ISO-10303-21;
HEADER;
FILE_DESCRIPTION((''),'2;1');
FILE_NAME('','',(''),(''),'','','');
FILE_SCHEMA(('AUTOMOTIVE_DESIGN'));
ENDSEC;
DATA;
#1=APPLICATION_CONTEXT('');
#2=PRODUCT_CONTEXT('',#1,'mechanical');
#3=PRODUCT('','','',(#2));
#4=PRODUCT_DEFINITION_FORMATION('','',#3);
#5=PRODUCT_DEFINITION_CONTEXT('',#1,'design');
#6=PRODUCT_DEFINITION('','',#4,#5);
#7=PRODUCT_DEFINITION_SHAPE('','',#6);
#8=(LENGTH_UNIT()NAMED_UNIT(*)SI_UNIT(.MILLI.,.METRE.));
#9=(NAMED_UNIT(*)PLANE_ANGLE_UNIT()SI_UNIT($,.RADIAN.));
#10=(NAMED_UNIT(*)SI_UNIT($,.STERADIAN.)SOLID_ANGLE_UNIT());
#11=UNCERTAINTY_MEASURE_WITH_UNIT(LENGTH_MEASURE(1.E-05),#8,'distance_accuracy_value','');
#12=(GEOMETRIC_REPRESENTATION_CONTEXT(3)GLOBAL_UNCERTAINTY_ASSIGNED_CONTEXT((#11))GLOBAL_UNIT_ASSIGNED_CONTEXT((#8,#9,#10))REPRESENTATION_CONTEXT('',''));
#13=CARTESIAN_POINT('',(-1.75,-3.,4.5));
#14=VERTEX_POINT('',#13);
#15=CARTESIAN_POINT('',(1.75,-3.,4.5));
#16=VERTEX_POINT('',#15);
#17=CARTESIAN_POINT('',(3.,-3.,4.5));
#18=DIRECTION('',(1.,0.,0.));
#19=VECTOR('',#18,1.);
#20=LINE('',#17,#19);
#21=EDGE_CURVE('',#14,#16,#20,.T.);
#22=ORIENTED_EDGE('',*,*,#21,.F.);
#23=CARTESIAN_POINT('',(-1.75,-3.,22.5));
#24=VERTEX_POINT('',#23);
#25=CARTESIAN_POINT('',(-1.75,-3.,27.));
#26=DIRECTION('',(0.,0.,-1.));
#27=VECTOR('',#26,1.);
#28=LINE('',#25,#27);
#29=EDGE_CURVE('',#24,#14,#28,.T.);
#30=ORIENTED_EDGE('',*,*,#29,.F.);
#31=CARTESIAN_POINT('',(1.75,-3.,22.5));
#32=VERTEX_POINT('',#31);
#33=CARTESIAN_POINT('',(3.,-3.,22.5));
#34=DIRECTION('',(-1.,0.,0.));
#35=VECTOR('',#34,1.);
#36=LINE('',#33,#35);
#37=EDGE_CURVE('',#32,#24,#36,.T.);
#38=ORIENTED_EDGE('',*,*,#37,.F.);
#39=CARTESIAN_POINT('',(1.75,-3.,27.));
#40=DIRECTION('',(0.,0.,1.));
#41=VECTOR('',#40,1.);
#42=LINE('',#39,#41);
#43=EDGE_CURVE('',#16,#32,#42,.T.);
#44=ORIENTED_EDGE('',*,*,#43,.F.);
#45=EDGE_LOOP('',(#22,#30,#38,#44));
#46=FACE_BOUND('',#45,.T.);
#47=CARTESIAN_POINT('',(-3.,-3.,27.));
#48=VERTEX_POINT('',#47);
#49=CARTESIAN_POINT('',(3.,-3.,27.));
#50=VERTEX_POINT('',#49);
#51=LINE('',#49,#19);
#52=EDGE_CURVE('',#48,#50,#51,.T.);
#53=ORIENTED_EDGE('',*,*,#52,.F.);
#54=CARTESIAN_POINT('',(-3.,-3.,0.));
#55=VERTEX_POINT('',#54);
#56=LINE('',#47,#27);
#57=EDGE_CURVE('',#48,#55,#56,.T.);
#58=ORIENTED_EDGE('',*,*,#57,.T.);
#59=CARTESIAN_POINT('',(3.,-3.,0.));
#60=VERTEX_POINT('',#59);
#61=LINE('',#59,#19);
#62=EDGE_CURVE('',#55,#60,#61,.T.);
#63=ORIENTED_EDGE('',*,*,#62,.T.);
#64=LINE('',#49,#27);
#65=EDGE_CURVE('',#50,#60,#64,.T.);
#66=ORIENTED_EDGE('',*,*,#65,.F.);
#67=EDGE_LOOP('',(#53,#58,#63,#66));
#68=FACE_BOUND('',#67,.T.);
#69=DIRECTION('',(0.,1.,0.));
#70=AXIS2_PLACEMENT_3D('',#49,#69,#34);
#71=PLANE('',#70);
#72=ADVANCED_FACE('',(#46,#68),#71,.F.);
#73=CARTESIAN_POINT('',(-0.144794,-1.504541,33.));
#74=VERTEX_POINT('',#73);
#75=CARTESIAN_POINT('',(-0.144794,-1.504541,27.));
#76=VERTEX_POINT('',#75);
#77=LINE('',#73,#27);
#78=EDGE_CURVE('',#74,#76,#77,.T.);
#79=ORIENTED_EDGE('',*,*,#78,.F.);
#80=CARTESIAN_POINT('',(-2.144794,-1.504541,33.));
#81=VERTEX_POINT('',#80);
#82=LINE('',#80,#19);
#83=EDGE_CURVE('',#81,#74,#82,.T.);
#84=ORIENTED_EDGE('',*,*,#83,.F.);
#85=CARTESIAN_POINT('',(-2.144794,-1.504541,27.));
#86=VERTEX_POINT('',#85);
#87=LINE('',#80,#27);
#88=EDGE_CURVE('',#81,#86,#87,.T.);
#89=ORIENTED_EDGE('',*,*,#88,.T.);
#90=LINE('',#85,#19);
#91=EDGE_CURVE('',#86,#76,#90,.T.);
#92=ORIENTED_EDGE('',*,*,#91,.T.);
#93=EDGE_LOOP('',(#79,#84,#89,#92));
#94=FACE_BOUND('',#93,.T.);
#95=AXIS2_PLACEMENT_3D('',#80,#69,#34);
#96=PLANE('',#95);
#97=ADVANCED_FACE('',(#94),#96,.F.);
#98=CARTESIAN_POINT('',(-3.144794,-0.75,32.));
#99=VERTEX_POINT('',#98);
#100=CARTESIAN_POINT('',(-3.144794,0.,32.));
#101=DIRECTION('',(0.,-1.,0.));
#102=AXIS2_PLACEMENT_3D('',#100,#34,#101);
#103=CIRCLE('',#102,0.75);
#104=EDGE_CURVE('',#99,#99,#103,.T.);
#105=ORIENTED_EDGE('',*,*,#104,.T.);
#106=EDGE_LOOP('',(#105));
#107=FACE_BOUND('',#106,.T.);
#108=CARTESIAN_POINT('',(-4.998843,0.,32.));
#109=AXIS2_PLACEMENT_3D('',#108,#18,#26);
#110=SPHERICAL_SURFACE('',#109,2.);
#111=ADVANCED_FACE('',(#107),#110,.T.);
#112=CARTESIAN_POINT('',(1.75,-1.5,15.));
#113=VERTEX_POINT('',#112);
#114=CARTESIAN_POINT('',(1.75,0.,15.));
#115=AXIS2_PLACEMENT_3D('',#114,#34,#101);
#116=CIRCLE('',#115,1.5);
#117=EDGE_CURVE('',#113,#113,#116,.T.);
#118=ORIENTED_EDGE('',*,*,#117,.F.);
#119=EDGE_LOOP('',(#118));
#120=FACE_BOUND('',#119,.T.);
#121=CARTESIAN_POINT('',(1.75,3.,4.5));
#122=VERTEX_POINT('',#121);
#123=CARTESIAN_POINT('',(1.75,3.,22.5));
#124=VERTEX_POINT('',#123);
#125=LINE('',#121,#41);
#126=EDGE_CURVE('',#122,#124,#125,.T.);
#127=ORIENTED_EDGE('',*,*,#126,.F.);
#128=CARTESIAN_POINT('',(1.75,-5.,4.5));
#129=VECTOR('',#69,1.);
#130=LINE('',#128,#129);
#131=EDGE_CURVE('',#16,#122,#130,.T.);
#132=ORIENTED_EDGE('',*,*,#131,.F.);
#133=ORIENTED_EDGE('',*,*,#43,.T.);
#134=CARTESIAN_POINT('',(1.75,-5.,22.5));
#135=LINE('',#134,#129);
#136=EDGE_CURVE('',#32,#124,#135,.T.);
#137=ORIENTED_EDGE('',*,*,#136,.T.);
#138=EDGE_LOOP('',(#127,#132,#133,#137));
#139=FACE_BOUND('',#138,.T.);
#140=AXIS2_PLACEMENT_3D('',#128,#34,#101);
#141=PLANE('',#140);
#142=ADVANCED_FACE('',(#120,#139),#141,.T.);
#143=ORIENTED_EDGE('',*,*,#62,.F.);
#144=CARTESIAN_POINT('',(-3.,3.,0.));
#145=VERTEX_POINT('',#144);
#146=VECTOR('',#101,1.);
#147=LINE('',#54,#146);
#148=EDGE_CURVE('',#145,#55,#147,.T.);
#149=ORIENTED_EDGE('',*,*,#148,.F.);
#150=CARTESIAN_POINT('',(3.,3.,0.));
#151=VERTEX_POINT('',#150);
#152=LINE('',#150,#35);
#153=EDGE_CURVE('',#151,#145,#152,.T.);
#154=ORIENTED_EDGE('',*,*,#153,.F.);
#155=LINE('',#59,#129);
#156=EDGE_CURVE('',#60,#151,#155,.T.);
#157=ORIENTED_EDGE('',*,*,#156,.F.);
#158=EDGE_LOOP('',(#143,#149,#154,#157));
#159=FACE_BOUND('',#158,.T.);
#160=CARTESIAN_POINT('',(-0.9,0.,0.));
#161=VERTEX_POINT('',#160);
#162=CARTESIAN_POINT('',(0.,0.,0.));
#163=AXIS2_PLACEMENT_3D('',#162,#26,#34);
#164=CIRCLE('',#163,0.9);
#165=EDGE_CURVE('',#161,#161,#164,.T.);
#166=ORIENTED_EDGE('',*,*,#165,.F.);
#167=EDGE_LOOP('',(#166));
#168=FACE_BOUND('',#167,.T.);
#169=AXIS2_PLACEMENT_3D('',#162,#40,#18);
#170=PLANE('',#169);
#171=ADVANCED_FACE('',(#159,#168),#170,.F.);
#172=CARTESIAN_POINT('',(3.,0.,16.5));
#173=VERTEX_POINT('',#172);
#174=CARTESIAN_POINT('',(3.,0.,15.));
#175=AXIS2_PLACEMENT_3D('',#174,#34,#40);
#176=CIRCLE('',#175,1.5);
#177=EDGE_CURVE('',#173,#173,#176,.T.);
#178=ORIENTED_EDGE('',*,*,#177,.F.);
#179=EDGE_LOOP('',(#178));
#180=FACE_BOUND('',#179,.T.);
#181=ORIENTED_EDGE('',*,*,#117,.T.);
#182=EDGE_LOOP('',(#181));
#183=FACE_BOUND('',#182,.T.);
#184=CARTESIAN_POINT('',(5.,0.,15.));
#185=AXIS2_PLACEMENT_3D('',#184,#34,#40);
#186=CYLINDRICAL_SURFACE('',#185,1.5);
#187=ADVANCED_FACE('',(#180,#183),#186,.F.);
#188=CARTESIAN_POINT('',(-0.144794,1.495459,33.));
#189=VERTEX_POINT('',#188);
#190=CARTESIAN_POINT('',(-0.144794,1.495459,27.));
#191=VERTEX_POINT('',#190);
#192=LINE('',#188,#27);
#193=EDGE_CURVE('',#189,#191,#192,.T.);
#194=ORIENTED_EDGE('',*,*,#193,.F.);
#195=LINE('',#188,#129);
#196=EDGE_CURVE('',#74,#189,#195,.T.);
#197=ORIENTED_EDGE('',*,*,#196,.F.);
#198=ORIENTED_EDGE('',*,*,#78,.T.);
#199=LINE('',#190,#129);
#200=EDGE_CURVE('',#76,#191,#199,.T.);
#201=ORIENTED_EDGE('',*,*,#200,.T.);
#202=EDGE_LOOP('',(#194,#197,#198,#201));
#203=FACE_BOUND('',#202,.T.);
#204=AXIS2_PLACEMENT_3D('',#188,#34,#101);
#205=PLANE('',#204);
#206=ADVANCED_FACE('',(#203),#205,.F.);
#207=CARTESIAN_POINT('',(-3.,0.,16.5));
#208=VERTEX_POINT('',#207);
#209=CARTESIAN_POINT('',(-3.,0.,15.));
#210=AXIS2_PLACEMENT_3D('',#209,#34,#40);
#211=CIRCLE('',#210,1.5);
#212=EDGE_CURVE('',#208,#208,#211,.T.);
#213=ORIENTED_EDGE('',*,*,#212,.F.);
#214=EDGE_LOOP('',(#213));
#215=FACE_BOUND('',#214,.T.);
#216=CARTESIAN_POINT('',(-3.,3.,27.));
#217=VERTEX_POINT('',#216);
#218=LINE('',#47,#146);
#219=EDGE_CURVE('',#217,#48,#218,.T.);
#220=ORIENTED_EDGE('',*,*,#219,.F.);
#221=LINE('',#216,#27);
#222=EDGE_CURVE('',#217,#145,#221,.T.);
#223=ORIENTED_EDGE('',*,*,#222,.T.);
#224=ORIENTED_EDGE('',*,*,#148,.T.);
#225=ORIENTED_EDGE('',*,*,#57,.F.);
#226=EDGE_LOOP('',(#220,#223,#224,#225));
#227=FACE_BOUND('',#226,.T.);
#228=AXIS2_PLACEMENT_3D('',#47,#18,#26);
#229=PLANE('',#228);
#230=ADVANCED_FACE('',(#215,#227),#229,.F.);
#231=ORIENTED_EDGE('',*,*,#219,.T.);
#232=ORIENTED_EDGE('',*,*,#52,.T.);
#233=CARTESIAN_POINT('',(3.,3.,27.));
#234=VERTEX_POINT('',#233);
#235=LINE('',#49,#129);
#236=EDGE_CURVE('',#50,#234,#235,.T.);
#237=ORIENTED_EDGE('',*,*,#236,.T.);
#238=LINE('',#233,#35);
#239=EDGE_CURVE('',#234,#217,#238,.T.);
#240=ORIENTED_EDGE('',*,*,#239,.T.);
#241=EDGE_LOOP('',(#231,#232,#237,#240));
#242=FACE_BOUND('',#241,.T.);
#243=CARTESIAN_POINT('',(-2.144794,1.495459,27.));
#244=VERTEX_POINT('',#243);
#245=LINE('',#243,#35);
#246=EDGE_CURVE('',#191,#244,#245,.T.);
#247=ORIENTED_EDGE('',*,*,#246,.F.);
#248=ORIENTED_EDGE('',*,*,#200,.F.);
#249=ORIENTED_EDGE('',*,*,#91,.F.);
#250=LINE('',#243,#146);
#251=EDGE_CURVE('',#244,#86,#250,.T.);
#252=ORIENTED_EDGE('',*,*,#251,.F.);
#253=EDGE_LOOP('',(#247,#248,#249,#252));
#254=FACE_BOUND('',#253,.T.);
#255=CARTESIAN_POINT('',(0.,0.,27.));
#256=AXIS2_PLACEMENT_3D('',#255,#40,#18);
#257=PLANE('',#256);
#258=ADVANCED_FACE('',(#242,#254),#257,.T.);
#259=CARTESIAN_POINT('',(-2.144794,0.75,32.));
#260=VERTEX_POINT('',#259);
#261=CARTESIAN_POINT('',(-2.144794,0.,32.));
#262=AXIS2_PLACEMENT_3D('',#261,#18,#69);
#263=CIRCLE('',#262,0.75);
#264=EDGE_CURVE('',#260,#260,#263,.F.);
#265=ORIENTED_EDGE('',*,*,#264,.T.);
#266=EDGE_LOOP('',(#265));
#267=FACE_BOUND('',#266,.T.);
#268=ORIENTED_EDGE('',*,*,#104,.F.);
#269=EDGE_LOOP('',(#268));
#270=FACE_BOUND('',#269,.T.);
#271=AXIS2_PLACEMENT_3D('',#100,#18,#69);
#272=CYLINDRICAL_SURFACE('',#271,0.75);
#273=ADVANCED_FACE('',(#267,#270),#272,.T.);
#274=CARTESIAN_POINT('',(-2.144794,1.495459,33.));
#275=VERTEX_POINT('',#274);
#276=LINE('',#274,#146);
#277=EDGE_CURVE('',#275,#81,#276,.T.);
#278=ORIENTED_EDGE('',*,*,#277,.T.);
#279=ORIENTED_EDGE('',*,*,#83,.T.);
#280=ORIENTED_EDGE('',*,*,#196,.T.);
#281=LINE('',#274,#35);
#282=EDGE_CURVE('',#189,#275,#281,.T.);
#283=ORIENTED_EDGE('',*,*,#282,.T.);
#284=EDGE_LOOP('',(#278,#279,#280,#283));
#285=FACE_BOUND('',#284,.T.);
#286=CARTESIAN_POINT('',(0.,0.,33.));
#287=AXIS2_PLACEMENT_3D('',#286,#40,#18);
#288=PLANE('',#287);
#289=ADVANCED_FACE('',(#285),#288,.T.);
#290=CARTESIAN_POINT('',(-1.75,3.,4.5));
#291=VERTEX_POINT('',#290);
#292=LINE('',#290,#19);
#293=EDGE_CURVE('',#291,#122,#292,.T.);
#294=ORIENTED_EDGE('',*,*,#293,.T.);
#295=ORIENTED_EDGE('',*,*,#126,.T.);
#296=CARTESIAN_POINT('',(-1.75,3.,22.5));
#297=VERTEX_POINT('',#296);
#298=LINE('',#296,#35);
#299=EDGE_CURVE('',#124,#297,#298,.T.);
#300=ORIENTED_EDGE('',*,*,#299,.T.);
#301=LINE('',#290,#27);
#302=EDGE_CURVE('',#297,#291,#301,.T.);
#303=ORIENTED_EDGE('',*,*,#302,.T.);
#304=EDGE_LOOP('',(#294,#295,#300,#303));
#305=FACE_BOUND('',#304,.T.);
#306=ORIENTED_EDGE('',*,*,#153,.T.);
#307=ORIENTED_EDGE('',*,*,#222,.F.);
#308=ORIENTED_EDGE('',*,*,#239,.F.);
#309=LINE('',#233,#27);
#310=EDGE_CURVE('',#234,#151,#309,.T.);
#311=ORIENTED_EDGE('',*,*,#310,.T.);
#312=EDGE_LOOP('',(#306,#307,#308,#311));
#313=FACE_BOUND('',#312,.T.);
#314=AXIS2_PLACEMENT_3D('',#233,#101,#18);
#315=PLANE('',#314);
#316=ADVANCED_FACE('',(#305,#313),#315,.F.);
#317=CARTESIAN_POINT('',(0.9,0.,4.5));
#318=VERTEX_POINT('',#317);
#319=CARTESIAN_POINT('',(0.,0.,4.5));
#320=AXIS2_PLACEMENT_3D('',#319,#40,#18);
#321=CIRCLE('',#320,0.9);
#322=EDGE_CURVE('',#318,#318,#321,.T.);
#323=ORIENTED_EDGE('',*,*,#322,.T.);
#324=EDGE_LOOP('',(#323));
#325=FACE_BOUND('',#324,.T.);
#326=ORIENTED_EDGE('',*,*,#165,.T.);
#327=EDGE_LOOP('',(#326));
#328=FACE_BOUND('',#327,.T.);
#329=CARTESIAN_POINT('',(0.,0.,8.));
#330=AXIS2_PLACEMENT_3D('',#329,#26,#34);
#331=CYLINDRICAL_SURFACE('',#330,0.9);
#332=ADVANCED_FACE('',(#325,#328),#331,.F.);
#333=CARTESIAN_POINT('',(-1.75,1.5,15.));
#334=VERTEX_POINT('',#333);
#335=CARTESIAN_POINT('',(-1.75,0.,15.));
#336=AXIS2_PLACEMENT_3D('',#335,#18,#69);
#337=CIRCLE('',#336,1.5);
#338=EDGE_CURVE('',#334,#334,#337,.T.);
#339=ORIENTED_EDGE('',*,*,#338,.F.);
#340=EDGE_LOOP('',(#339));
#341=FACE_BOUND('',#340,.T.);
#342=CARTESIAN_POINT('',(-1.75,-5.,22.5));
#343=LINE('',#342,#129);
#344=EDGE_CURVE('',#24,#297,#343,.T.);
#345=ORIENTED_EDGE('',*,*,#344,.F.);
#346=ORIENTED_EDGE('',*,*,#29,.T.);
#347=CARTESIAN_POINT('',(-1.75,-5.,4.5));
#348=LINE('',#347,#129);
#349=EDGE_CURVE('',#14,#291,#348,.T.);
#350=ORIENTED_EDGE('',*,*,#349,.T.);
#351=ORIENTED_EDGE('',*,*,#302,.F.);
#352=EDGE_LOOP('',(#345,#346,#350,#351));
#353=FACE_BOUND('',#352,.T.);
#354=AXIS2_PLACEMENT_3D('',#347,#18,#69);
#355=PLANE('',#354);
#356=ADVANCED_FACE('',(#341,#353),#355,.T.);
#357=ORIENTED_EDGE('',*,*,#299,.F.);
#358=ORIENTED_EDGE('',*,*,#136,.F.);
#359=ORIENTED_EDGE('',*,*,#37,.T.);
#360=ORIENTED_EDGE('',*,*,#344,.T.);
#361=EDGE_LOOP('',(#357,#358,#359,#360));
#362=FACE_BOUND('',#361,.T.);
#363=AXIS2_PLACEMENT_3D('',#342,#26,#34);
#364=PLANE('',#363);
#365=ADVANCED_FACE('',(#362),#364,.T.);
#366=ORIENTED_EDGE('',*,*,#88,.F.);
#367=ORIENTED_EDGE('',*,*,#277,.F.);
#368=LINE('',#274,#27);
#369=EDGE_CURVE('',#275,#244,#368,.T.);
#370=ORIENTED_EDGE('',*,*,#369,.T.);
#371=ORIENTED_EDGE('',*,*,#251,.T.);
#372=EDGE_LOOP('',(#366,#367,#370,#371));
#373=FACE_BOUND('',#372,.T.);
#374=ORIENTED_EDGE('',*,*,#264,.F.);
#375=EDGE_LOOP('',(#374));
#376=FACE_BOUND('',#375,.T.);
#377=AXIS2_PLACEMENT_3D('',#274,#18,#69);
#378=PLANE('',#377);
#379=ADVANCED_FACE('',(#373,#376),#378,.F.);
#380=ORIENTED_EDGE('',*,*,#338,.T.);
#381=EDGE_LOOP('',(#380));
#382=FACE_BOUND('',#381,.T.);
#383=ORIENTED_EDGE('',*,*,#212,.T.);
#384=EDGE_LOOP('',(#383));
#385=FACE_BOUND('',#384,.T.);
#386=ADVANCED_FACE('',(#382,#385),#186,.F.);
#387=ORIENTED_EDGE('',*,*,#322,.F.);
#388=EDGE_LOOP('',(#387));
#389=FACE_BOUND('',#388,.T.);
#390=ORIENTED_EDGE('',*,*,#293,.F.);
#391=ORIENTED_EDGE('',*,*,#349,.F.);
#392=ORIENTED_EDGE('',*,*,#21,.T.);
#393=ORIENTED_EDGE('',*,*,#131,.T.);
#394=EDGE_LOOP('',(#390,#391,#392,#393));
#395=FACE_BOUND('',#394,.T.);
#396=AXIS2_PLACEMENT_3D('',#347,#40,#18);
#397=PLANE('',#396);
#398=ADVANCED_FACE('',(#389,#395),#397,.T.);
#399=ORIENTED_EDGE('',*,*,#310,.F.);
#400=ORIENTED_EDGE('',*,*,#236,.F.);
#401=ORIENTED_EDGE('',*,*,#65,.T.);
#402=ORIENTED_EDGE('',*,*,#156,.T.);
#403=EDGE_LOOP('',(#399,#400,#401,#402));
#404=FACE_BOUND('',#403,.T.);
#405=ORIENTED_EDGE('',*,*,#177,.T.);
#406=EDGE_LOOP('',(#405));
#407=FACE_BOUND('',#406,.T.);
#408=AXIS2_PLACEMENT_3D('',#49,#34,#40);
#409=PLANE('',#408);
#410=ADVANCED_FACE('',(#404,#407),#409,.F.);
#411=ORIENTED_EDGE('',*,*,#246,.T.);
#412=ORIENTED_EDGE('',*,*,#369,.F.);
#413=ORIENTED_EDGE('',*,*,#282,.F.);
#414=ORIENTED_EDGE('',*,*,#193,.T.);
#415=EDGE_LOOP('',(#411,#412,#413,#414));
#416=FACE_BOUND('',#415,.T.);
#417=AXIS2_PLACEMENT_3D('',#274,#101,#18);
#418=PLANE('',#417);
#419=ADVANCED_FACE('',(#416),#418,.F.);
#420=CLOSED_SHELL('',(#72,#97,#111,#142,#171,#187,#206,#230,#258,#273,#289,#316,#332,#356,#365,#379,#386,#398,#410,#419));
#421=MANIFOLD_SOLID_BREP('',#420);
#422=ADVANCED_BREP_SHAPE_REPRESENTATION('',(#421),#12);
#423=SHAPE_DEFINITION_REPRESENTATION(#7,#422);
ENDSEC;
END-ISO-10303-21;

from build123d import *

# Parameters (mm, degrees)
SKETCH_1_W          = 6
SKETCH_1_H          = 6
EXTRUDE_1_DEPTH     = 27
SKETCH_2_W          = 2
SKETCH_2_H          = 3
EXTRUDE_2_DEPTH     = 6
SKETCH_3_R          = 0.75
EXTRUDE_3_DEPTH     = 1
SKETCH_5_W          = 18
SKETCH_5_H          = 3.5
CUT_EXTRUDE_1_DEPTH = 8
SKETCH_6_R          = 1.5
CUT_EXTRUDE_2_DEPTH = 8
SKETCH_7_R          = 0.9
CUT_EXTRUDE_3_DEPTH = 8


with BuildPart() as part:
    # 草图1 → 凸台-拉伸1 (new body)
    with BuildSketch(Plane.XY):
        Rectangle(SKETCH_1_W, SKETCH_1_H)
    extrude(amount=EXTRUDE_1_DEPTH)

    # 草图2 → 凸台-拉伸2 (add)
    with BuildSketch(Plane.XY.offset(27)):
        with Locations((-1.14479355, -0.004540815)):
            Rectangle(SKETCH_2_W, SKETCH_2_H)
    extrude(amount=EXTRUDE_2_DEPTH)

    # 草图3 → 凸台-拉伸3 (add)
    with BuildSketch(Plane.ZY.offset(2.14479355)):
        with Locations(Location((32, 0, 0), (0, 0, 90))):
            Circle(SKETCH_3_R)
    extrude(amount=EXTRUDE_3_DEPTH)

    # 草图4 → 旋转1 (revolve)
    with BuildSketch(Plane(origin=(0, 0, 0), x_dir=(1, 0, 0), z_dir=(0, 1, 0))):
        with BuildLine():
            Line((-3.14479355, -32), (-6.998843172, -32))
            ThreePointArc((-6.998843172, -32), (-5.380877697, -30.036826645), (-3.14479355, -31.25))
            Line((-3.14479355, -31.25), (-3.14479355, -32))
        make_face()
    revolve(axis=Axis((-3.14479355, 0, 32), (-1, 0, 0)))

    # 草图5 → 切除-拉伸1 (cut)
    with BuildSketch(Plane(origin=(0.5, 3, 0), x_dir=(0, 0, 1), z_dir=(0, -1, 0))):
        with Locations((13.5, 0.5)):
            Rectangle(SKETCH_5_W, SKETCH_5_H)
    extrude(amount=CUT_EXTRUDE_1_DEPTH, mode=Mode.SUBTRACT)

    # 草图6 → 切除-拉伸2 (cut)
    with BuildSketch(Plane.ZY.offset(3)):
        with Locations((15, 0)):
            Circle(SKETCH_6_R)
    extrude(amount=-CUT_EXTRUDE_2_DEPTH, mode=Mode.SUBTRACT)

    # 草图7 → 切除-拉伸3 (cut)
    with BuildSketch(Plane(origin=(0, 0, 0), x_dir=(-1, 0, 0), z_dir=(0, 0, -1))):
        Circle(SKETCH_7_R)
    extrude(amount=-CUT_EXTRUDE_3_DEPTH, mode=Mode.SUBTRACT)


solid = part.part
